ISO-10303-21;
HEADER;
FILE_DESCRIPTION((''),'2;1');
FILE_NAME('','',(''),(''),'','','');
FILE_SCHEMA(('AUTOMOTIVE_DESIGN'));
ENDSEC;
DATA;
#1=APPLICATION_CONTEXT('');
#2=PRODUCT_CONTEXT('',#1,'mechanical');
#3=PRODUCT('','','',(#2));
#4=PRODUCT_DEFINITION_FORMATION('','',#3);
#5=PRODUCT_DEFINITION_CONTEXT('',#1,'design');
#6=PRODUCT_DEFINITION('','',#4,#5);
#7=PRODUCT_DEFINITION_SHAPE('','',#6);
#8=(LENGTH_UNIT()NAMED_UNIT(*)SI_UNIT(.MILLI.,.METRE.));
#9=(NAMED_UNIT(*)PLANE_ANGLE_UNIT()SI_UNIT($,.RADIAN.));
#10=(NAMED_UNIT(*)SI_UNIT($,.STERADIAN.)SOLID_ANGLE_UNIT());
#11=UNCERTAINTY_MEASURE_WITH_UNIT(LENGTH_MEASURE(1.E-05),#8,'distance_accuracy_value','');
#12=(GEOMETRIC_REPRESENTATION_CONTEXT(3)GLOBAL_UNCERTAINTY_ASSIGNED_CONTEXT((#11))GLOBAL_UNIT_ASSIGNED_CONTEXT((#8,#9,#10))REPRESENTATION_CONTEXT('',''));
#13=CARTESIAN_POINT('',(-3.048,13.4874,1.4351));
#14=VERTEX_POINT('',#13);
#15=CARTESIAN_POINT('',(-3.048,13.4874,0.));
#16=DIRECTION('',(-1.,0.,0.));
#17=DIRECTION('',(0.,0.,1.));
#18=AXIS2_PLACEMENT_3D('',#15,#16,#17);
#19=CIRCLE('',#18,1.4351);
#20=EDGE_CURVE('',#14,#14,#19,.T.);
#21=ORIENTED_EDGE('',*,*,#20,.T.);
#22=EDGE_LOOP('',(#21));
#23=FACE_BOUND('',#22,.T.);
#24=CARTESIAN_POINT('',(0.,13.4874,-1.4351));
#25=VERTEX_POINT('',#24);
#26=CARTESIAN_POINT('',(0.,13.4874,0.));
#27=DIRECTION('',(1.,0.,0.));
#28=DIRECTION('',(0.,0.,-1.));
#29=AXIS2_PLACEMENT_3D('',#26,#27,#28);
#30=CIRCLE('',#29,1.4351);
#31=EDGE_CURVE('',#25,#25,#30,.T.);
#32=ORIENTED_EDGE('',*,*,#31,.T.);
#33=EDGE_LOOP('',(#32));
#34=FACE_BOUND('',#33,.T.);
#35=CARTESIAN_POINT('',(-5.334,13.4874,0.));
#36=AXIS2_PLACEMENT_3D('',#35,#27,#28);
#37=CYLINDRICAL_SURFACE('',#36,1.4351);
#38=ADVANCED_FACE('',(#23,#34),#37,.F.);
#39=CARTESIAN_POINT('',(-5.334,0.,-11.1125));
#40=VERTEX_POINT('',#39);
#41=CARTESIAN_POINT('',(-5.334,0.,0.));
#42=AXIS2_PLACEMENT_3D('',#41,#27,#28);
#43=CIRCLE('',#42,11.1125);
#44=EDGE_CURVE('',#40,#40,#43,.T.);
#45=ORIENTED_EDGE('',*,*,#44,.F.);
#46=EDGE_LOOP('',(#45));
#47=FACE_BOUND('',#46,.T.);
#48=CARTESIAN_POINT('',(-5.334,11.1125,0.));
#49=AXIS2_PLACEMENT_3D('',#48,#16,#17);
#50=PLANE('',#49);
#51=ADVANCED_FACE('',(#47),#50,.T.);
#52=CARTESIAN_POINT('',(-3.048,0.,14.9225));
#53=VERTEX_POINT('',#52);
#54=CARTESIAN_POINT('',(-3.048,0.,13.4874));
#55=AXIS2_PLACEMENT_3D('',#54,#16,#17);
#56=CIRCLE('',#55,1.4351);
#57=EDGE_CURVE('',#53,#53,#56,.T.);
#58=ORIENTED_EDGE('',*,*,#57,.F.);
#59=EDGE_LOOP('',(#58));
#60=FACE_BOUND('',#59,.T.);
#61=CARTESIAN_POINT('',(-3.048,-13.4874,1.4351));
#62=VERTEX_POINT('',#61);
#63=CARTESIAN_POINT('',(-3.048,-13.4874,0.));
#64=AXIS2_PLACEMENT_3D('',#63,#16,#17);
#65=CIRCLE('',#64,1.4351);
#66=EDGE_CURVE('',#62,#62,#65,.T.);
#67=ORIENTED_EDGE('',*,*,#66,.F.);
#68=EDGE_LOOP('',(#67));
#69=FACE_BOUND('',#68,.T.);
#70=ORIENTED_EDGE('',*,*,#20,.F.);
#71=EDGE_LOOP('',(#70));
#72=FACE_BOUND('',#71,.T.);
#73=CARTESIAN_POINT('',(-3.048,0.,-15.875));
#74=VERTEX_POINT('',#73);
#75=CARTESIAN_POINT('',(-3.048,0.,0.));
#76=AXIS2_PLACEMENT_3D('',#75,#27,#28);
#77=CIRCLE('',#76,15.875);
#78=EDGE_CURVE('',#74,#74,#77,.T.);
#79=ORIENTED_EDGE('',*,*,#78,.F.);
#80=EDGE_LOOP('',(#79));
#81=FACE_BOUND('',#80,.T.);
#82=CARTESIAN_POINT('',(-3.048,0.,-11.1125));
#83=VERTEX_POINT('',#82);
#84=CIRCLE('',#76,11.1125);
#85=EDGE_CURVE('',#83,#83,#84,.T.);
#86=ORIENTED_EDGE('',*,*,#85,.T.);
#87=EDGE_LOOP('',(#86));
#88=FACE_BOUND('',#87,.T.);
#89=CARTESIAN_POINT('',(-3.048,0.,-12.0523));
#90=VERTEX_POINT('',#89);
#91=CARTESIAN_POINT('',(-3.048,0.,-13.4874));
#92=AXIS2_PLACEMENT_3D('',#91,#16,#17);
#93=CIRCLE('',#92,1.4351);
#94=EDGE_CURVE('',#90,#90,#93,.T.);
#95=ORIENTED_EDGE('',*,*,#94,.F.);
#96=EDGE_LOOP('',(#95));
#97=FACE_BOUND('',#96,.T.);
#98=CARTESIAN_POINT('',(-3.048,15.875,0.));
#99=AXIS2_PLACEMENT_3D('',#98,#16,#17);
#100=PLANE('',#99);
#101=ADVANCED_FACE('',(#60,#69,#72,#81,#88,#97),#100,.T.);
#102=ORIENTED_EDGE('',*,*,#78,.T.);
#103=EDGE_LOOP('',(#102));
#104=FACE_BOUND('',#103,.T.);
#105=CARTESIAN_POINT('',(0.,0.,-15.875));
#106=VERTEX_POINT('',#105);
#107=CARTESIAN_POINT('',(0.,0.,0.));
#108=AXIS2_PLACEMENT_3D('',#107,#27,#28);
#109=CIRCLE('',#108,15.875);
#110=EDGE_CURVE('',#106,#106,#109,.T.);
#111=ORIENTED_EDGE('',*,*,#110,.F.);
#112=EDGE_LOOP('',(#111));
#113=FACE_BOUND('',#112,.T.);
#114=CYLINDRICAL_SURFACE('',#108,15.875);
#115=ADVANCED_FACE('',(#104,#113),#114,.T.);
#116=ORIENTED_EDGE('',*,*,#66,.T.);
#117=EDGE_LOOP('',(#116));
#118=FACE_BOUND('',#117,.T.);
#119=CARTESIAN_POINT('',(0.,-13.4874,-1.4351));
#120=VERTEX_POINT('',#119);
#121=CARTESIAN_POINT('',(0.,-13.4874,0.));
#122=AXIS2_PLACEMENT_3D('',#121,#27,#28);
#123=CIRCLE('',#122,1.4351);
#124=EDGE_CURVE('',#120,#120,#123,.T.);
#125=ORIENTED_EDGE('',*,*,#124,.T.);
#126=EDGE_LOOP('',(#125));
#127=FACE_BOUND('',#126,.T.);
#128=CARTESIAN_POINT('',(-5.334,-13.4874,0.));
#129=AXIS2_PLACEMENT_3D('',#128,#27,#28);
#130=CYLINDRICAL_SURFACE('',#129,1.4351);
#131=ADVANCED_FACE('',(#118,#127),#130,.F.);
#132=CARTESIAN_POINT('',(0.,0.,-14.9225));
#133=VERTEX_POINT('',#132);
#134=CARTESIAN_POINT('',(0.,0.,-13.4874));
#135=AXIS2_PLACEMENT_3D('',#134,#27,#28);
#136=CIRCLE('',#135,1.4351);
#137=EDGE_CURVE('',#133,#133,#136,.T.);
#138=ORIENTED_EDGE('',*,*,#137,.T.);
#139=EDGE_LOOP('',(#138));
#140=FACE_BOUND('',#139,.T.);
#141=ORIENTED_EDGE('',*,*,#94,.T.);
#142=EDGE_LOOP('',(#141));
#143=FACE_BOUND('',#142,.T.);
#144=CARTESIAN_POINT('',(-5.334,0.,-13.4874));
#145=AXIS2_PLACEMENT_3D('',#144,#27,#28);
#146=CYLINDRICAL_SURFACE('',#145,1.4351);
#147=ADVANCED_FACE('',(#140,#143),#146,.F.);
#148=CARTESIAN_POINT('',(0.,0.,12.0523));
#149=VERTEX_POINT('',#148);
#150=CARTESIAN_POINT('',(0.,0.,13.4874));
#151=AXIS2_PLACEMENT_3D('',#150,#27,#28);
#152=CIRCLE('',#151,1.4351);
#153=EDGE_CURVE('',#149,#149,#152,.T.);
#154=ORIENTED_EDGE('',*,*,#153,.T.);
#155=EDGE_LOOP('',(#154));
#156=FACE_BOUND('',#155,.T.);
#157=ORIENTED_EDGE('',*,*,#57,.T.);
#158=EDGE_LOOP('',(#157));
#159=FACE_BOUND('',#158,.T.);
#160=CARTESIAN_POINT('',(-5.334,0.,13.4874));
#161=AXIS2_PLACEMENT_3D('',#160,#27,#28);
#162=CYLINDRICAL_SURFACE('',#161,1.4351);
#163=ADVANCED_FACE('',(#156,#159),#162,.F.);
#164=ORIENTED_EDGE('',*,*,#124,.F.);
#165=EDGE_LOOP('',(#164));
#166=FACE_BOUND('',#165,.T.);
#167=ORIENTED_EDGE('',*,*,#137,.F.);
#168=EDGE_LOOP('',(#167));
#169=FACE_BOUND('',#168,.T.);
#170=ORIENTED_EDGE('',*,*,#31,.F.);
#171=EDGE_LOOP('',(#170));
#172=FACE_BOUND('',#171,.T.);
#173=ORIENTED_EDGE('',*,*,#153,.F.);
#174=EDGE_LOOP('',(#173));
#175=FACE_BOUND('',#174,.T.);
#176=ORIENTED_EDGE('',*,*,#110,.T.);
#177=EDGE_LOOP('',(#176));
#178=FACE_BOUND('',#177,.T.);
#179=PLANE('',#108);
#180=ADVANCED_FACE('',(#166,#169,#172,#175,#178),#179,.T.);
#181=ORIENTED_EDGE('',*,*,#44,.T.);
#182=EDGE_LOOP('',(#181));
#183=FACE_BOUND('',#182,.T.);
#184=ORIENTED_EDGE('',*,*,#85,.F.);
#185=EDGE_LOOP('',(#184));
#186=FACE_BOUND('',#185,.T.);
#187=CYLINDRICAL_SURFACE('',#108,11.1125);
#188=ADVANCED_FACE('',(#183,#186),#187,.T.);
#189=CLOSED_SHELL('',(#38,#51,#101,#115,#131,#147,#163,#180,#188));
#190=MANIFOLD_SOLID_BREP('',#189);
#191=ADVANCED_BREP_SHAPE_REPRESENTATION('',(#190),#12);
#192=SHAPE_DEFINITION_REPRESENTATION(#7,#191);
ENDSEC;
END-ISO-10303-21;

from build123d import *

# Parameters (mm, degrees)
SKETCH2_R          = 1.4351
CUT_EXTRUDE1_DEPTH = 24.075588963


with BuildPart() as part:
    # Sketch1 → Revolve1 (revolve)
    with BuildSketch(Plane.XY, mode=Mode.PRIVATE) as revolve1_sk:
        Polygon((0, 0), (0, 15.875), (-3.048, 15.875), (-3.048, 11.1125), (-5.334, 11.1125), (-5.334, 0), align=None)
    revolve(revolve1_sk.sketch.rotate(Axis((0, 0, 0), (-1, 0, 0)), 90), axis=Axis((0, 0, 0), (-1, 0, 0)))

    # Sketch2 → Cut-Extrude1 (cut, through all)
    with BuildSketch(Plane(origin=(0, 0, 0), x_dir=(0, 0, -1), z_dir=(1, 0, 0))):
        with Locations((0, 13.4874)):
            Circle(SKETCH2_R)
        with Locations((13.4874, 0)):
            Circle(SKETCH2_R)
        with Locations((0, -13.4874)):
            Circle(SKETCH2_R)
        with Locations((-13.4874, 0)):
            Circle(SKETCH2_R)
    extrude(amount=-CUT_EXTRUDE1_DEPTH, mode=Mode.SUBTRACT)


solid = part.part
